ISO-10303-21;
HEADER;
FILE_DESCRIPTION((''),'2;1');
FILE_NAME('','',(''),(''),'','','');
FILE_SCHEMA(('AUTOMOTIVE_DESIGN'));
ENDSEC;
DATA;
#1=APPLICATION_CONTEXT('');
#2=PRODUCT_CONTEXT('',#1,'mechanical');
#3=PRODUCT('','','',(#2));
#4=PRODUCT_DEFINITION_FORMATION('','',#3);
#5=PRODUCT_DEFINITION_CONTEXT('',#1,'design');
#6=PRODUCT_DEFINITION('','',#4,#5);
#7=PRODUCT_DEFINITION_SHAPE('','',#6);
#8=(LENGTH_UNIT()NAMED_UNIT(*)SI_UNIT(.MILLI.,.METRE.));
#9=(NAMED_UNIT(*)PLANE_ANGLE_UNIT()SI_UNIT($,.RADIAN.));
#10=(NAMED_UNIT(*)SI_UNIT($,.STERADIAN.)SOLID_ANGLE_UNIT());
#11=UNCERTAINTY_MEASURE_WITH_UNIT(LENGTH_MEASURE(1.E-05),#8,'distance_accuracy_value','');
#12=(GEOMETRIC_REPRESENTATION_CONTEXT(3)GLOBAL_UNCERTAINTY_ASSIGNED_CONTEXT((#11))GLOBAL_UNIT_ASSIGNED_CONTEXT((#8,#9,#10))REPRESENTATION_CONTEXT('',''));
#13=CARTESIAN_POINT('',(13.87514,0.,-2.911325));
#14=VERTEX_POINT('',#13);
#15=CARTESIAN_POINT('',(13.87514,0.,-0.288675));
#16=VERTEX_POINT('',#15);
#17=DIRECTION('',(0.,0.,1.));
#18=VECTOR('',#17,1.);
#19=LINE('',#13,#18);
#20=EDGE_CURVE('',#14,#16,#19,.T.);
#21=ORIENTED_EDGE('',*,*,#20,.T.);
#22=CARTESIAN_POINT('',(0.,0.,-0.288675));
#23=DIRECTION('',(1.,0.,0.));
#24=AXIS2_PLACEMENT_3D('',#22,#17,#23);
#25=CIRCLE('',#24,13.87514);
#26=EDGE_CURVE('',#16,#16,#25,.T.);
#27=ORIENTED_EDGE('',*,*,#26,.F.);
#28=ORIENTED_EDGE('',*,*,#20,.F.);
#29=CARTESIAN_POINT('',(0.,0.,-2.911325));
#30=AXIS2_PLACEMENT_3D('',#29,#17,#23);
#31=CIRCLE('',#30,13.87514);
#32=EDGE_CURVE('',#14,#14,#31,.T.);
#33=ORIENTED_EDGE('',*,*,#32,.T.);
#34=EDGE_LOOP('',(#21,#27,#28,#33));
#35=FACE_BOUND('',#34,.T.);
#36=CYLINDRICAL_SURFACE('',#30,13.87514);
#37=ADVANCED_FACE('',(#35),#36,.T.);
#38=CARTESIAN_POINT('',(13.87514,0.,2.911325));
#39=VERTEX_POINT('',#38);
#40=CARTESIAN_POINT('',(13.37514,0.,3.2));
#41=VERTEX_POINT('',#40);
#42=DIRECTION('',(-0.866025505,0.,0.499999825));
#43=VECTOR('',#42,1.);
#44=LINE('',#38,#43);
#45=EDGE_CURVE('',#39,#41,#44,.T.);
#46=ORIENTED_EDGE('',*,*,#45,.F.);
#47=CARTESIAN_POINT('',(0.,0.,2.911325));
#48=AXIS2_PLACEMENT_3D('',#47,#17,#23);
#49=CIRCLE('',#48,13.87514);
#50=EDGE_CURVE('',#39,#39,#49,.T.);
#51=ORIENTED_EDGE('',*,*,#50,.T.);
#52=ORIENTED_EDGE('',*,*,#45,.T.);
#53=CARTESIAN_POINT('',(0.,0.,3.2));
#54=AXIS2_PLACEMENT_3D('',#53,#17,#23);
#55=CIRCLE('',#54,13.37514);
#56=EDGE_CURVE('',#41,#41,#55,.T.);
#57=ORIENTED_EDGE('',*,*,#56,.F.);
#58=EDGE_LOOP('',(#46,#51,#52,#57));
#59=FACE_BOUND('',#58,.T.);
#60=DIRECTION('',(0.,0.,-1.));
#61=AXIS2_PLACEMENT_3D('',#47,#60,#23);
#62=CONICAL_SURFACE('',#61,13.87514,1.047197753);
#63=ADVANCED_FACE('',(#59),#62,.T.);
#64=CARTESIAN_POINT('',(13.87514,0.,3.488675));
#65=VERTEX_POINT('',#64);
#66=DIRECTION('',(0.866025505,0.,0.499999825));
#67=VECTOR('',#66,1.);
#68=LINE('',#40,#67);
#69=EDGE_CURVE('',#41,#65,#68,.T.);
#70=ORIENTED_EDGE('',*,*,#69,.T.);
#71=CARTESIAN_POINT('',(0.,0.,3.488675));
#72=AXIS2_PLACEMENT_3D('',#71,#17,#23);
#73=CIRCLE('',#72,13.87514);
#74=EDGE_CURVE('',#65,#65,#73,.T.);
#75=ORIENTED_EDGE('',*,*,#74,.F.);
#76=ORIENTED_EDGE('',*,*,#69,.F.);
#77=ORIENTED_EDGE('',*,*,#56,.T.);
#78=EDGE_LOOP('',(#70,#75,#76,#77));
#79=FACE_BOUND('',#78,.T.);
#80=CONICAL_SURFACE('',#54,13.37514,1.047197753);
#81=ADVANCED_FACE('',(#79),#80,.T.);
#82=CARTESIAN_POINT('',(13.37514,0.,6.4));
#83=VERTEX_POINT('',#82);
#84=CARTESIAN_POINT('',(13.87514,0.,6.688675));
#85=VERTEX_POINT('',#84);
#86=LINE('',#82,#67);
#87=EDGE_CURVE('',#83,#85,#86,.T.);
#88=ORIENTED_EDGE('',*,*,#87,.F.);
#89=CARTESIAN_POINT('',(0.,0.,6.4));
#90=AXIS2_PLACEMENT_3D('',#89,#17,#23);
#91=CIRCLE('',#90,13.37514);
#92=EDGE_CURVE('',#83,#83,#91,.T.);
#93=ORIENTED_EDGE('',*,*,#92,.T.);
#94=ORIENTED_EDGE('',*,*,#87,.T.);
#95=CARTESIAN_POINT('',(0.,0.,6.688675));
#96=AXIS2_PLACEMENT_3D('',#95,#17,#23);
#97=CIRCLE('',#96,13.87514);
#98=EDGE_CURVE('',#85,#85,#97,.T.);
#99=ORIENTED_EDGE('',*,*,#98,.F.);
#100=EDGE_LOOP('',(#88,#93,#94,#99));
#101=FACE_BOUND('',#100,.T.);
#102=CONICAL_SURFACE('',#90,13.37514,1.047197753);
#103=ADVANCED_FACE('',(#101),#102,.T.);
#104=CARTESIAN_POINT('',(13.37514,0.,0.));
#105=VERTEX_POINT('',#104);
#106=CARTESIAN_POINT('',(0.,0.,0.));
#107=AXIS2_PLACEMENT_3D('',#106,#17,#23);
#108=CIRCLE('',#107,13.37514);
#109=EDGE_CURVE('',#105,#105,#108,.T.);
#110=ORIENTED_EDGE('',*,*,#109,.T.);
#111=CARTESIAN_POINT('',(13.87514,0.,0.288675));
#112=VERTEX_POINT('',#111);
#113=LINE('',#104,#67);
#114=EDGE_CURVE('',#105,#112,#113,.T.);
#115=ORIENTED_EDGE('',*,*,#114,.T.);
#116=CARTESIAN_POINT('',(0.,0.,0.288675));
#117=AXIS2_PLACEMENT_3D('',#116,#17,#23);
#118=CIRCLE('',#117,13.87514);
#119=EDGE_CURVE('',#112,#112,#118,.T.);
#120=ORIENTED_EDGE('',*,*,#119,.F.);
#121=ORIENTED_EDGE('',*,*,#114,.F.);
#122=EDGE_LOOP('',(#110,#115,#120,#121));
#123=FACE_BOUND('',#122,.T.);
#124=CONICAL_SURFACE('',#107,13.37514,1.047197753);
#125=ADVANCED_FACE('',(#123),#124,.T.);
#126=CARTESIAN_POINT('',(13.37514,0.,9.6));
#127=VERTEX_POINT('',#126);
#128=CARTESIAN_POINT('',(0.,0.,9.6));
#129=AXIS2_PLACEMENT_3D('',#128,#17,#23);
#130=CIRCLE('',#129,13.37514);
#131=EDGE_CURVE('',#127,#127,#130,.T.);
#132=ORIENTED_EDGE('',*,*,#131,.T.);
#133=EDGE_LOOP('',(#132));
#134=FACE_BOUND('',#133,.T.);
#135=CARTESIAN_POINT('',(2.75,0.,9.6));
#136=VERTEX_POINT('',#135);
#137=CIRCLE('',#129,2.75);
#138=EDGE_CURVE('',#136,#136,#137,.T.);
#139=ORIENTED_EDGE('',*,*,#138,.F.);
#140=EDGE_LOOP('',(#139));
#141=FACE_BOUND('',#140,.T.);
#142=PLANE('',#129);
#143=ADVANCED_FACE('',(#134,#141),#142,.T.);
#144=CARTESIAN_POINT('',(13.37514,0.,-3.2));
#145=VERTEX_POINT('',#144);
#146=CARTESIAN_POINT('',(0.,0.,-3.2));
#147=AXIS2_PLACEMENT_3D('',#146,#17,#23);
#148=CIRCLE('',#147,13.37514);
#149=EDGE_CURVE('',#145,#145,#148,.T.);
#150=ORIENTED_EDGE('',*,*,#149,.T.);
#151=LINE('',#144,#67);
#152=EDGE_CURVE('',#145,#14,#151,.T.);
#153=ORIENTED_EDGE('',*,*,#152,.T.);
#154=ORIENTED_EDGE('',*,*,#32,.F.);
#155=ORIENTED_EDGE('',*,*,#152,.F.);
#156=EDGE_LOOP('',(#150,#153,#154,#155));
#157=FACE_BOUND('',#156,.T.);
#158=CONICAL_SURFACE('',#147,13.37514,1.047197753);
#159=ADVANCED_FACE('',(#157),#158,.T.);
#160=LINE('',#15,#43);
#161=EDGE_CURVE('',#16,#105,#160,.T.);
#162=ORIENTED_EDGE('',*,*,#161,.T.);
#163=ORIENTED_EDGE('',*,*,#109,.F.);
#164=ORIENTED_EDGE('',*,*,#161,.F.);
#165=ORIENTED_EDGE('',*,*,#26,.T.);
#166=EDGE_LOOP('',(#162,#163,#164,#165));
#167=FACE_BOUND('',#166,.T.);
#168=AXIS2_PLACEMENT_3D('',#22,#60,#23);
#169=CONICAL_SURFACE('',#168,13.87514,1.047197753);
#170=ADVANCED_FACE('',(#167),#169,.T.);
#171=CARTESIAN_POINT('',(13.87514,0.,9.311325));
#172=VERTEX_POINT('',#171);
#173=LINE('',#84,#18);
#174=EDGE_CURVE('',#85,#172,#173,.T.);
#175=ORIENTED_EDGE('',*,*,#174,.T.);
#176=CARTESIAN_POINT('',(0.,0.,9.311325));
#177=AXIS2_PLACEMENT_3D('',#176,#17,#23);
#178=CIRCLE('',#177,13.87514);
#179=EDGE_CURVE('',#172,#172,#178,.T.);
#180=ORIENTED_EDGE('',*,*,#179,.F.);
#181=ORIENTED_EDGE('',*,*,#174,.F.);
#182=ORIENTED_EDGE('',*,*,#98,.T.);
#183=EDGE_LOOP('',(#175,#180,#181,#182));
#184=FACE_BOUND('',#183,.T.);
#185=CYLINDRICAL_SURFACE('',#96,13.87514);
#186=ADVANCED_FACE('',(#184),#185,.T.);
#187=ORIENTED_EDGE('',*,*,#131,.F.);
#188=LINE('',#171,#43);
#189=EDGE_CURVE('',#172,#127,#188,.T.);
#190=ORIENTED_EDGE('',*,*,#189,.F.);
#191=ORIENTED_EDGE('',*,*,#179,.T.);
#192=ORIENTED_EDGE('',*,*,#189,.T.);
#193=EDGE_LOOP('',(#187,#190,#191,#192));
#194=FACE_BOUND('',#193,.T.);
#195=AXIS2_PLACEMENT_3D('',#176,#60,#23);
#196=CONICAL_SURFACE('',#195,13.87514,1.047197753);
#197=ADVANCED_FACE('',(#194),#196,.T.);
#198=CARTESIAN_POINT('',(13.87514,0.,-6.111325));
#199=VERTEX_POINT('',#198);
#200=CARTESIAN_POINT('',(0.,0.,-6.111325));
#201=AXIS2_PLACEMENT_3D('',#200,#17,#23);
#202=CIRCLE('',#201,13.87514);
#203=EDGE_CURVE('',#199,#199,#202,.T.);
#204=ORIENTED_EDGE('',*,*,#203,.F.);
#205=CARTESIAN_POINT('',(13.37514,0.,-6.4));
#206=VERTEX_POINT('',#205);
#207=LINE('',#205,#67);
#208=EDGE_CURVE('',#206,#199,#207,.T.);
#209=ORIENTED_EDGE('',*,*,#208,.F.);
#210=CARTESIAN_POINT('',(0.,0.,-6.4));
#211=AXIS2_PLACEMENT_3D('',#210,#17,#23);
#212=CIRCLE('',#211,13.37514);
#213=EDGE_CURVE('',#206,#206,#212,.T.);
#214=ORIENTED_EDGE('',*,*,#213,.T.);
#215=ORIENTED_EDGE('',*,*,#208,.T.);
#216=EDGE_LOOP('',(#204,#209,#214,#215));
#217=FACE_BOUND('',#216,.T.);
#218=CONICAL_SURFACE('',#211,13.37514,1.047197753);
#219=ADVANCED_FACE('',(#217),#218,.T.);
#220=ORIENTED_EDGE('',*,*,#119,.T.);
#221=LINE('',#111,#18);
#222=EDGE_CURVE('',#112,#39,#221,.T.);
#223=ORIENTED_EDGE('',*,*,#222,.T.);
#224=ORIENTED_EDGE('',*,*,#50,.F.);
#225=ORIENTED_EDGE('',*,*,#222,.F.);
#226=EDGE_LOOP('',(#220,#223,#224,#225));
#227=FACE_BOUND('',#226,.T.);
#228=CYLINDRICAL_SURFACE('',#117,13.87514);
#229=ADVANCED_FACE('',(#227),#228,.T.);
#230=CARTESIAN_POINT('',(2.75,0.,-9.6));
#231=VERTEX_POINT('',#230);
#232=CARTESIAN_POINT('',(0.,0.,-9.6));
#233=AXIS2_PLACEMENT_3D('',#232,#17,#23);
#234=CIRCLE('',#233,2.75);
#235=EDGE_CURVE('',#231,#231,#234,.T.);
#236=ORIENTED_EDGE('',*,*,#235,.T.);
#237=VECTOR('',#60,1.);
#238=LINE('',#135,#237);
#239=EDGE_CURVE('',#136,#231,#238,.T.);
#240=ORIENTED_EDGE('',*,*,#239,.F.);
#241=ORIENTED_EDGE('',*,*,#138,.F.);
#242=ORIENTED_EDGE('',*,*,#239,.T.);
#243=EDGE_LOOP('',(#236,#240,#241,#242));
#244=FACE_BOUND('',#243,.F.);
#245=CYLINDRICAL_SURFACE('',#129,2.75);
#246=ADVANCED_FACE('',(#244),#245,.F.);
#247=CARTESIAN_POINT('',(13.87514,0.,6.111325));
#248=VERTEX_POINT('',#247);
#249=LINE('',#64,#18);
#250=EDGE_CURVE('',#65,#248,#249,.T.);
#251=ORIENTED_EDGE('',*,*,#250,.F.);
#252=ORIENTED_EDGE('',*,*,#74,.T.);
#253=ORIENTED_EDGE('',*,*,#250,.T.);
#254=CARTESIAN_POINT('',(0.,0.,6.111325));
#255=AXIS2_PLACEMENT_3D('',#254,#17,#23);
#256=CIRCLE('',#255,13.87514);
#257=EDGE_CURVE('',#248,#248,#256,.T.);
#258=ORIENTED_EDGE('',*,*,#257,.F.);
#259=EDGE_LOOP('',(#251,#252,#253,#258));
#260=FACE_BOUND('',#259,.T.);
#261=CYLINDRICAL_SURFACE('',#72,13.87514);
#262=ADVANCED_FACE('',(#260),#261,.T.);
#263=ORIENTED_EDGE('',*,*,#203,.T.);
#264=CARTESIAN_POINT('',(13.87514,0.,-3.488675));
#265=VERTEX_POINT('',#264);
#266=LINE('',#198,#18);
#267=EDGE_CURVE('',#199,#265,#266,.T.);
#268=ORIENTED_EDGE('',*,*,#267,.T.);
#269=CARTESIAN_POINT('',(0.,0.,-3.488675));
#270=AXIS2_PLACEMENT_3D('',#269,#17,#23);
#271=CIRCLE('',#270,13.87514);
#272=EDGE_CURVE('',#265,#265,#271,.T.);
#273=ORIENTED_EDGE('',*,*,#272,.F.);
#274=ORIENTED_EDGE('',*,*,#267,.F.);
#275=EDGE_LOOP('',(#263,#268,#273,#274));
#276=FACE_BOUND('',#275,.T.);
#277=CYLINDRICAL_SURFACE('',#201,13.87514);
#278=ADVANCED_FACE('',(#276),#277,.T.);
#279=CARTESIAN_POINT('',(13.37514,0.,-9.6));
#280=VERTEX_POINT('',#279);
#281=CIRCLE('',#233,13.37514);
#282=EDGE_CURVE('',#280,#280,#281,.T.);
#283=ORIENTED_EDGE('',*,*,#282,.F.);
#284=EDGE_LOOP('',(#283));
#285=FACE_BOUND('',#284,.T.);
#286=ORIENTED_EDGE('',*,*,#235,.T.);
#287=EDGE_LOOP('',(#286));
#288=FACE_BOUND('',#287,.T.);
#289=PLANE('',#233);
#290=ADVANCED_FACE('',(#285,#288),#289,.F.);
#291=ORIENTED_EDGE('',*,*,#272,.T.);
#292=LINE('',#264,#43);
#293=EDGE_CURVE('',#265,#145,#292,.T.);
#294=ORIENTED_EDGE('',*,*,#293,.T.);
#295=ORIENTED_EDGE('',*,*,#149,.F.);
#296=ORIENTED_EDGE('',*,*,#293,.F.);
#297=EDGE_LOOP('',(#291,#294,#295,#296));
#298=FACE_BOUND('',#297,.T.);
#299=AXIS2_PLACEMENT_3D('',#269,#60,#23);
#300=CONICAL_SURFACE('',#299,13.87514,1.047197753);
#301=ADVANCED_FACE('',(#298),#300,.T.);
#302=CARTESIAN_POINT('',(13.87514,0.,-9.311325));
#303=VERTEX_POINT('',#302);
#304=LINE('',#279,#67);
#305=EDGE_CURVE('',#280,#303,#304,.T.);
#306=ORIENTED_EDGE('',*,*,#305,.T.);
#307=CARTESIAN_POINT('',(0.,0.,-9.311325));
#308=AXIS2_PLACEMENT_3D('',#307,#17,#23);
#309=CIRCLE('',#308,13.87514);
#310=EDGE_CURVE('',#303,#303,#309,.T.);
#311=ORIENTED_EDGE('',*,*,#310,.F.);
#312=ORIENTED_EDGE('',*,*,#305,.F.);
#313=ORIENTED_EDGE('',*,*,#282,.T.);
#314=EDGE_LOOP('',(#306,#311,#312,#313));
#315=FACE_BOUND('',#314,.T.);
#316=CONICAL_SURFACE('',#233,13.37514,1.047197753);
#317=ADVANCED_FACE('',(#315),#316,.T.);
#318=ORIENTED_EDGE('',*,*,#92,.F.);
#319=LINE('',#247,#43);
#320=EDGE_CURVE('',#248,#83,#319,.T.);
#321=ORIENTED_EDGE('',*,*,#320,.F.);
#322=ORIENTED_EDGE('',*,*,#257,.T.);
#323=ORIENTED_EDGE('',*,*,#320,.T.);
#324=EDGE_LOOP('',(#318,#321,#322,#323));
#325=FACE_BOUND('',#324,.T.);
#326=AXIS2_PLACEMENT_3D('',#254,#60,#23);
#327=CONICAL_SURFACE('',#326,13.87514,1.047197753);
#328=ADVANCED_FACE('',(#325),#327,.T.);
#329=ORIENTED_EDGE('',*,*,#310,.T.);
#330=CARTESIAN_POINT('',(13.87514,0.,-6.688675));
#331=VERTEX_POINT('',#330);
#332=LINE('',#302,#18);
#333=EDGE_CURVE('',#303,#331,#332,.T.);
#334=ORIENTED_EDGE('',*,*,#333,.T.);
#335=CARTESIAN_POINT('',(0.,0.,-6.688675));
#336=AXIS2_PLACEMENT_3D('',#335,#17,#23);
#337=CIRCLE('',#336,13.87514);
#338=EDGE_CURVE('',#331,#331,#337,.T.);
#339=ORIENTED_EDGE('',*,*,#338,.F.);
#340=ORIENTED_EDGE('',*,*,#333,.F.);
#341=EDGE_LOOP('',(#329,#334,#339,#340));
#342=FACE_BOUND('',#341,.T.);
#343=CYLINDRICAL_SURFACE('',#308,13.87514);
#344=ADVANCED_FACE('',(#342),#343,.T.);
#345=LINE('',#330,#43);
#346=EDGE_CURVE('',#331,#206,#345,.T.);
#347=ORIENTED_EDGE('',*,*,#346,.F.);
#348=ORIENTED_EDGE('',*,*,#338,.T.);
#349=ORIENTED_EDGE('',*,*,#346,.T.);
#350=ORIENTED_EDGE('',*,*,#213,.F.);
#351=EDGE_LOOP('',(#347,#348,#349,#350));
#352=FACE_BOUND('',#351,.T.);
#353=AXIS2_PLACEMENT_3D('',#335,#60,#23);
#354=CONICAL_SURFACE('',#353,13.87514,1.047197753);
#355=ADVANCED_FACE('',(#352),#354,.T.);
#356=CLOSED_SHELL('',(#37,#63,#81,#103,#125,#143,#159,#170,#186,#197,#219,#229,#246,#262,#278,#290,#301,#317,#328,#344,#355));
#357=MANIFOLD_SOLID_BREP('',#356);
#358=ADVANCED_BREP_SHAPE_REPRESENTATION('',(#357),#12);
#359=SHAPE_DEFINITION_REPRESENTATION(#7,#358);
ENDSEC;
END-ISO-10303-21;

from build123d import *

# Parameters (mm, degrees)
F2_R     = 2.75
F3_DEPTH = 19.201


with BuildPart() as f1:
    # F0 (on Front) → F1 (revolve)
    with BuildSketch(Plane.XZ):
        Polygon((0, 9.6), (0, 0), (0, -9.6), (13.37514, -9.6), (13.87514, -9.311325), (13.87514, -6.688675), (13.37514, -6.4), (13.87514, -6.111325), (13.87514, -3.488675), (13.37514, -3.2), (13.87514, -2.911325), (13.87514, -0.288675), (13.37514, 0), (13.87514, 0.288675), (13.87514, 2.911325), (13.37514, 3.2), (13.87514, 3.488675), (13.87514, 6.111325), (13.37514, 6.4), (13.87514, 6.688675), (13.87514, 9.311325), (13.37514, 9.6), align=None)
    revolve(axis=Axis((0, 0, 4.8), (0, 0, 1)))

    # F2 (on face) → F3 (cut, through all)
    with BuildSketch(Plane.XY.offset(9.6)):
        Circle(F2_R)
    extrude(amount=-F3_DEPTH, mode=Mode.SUBTRACT)


solid = f1.part
